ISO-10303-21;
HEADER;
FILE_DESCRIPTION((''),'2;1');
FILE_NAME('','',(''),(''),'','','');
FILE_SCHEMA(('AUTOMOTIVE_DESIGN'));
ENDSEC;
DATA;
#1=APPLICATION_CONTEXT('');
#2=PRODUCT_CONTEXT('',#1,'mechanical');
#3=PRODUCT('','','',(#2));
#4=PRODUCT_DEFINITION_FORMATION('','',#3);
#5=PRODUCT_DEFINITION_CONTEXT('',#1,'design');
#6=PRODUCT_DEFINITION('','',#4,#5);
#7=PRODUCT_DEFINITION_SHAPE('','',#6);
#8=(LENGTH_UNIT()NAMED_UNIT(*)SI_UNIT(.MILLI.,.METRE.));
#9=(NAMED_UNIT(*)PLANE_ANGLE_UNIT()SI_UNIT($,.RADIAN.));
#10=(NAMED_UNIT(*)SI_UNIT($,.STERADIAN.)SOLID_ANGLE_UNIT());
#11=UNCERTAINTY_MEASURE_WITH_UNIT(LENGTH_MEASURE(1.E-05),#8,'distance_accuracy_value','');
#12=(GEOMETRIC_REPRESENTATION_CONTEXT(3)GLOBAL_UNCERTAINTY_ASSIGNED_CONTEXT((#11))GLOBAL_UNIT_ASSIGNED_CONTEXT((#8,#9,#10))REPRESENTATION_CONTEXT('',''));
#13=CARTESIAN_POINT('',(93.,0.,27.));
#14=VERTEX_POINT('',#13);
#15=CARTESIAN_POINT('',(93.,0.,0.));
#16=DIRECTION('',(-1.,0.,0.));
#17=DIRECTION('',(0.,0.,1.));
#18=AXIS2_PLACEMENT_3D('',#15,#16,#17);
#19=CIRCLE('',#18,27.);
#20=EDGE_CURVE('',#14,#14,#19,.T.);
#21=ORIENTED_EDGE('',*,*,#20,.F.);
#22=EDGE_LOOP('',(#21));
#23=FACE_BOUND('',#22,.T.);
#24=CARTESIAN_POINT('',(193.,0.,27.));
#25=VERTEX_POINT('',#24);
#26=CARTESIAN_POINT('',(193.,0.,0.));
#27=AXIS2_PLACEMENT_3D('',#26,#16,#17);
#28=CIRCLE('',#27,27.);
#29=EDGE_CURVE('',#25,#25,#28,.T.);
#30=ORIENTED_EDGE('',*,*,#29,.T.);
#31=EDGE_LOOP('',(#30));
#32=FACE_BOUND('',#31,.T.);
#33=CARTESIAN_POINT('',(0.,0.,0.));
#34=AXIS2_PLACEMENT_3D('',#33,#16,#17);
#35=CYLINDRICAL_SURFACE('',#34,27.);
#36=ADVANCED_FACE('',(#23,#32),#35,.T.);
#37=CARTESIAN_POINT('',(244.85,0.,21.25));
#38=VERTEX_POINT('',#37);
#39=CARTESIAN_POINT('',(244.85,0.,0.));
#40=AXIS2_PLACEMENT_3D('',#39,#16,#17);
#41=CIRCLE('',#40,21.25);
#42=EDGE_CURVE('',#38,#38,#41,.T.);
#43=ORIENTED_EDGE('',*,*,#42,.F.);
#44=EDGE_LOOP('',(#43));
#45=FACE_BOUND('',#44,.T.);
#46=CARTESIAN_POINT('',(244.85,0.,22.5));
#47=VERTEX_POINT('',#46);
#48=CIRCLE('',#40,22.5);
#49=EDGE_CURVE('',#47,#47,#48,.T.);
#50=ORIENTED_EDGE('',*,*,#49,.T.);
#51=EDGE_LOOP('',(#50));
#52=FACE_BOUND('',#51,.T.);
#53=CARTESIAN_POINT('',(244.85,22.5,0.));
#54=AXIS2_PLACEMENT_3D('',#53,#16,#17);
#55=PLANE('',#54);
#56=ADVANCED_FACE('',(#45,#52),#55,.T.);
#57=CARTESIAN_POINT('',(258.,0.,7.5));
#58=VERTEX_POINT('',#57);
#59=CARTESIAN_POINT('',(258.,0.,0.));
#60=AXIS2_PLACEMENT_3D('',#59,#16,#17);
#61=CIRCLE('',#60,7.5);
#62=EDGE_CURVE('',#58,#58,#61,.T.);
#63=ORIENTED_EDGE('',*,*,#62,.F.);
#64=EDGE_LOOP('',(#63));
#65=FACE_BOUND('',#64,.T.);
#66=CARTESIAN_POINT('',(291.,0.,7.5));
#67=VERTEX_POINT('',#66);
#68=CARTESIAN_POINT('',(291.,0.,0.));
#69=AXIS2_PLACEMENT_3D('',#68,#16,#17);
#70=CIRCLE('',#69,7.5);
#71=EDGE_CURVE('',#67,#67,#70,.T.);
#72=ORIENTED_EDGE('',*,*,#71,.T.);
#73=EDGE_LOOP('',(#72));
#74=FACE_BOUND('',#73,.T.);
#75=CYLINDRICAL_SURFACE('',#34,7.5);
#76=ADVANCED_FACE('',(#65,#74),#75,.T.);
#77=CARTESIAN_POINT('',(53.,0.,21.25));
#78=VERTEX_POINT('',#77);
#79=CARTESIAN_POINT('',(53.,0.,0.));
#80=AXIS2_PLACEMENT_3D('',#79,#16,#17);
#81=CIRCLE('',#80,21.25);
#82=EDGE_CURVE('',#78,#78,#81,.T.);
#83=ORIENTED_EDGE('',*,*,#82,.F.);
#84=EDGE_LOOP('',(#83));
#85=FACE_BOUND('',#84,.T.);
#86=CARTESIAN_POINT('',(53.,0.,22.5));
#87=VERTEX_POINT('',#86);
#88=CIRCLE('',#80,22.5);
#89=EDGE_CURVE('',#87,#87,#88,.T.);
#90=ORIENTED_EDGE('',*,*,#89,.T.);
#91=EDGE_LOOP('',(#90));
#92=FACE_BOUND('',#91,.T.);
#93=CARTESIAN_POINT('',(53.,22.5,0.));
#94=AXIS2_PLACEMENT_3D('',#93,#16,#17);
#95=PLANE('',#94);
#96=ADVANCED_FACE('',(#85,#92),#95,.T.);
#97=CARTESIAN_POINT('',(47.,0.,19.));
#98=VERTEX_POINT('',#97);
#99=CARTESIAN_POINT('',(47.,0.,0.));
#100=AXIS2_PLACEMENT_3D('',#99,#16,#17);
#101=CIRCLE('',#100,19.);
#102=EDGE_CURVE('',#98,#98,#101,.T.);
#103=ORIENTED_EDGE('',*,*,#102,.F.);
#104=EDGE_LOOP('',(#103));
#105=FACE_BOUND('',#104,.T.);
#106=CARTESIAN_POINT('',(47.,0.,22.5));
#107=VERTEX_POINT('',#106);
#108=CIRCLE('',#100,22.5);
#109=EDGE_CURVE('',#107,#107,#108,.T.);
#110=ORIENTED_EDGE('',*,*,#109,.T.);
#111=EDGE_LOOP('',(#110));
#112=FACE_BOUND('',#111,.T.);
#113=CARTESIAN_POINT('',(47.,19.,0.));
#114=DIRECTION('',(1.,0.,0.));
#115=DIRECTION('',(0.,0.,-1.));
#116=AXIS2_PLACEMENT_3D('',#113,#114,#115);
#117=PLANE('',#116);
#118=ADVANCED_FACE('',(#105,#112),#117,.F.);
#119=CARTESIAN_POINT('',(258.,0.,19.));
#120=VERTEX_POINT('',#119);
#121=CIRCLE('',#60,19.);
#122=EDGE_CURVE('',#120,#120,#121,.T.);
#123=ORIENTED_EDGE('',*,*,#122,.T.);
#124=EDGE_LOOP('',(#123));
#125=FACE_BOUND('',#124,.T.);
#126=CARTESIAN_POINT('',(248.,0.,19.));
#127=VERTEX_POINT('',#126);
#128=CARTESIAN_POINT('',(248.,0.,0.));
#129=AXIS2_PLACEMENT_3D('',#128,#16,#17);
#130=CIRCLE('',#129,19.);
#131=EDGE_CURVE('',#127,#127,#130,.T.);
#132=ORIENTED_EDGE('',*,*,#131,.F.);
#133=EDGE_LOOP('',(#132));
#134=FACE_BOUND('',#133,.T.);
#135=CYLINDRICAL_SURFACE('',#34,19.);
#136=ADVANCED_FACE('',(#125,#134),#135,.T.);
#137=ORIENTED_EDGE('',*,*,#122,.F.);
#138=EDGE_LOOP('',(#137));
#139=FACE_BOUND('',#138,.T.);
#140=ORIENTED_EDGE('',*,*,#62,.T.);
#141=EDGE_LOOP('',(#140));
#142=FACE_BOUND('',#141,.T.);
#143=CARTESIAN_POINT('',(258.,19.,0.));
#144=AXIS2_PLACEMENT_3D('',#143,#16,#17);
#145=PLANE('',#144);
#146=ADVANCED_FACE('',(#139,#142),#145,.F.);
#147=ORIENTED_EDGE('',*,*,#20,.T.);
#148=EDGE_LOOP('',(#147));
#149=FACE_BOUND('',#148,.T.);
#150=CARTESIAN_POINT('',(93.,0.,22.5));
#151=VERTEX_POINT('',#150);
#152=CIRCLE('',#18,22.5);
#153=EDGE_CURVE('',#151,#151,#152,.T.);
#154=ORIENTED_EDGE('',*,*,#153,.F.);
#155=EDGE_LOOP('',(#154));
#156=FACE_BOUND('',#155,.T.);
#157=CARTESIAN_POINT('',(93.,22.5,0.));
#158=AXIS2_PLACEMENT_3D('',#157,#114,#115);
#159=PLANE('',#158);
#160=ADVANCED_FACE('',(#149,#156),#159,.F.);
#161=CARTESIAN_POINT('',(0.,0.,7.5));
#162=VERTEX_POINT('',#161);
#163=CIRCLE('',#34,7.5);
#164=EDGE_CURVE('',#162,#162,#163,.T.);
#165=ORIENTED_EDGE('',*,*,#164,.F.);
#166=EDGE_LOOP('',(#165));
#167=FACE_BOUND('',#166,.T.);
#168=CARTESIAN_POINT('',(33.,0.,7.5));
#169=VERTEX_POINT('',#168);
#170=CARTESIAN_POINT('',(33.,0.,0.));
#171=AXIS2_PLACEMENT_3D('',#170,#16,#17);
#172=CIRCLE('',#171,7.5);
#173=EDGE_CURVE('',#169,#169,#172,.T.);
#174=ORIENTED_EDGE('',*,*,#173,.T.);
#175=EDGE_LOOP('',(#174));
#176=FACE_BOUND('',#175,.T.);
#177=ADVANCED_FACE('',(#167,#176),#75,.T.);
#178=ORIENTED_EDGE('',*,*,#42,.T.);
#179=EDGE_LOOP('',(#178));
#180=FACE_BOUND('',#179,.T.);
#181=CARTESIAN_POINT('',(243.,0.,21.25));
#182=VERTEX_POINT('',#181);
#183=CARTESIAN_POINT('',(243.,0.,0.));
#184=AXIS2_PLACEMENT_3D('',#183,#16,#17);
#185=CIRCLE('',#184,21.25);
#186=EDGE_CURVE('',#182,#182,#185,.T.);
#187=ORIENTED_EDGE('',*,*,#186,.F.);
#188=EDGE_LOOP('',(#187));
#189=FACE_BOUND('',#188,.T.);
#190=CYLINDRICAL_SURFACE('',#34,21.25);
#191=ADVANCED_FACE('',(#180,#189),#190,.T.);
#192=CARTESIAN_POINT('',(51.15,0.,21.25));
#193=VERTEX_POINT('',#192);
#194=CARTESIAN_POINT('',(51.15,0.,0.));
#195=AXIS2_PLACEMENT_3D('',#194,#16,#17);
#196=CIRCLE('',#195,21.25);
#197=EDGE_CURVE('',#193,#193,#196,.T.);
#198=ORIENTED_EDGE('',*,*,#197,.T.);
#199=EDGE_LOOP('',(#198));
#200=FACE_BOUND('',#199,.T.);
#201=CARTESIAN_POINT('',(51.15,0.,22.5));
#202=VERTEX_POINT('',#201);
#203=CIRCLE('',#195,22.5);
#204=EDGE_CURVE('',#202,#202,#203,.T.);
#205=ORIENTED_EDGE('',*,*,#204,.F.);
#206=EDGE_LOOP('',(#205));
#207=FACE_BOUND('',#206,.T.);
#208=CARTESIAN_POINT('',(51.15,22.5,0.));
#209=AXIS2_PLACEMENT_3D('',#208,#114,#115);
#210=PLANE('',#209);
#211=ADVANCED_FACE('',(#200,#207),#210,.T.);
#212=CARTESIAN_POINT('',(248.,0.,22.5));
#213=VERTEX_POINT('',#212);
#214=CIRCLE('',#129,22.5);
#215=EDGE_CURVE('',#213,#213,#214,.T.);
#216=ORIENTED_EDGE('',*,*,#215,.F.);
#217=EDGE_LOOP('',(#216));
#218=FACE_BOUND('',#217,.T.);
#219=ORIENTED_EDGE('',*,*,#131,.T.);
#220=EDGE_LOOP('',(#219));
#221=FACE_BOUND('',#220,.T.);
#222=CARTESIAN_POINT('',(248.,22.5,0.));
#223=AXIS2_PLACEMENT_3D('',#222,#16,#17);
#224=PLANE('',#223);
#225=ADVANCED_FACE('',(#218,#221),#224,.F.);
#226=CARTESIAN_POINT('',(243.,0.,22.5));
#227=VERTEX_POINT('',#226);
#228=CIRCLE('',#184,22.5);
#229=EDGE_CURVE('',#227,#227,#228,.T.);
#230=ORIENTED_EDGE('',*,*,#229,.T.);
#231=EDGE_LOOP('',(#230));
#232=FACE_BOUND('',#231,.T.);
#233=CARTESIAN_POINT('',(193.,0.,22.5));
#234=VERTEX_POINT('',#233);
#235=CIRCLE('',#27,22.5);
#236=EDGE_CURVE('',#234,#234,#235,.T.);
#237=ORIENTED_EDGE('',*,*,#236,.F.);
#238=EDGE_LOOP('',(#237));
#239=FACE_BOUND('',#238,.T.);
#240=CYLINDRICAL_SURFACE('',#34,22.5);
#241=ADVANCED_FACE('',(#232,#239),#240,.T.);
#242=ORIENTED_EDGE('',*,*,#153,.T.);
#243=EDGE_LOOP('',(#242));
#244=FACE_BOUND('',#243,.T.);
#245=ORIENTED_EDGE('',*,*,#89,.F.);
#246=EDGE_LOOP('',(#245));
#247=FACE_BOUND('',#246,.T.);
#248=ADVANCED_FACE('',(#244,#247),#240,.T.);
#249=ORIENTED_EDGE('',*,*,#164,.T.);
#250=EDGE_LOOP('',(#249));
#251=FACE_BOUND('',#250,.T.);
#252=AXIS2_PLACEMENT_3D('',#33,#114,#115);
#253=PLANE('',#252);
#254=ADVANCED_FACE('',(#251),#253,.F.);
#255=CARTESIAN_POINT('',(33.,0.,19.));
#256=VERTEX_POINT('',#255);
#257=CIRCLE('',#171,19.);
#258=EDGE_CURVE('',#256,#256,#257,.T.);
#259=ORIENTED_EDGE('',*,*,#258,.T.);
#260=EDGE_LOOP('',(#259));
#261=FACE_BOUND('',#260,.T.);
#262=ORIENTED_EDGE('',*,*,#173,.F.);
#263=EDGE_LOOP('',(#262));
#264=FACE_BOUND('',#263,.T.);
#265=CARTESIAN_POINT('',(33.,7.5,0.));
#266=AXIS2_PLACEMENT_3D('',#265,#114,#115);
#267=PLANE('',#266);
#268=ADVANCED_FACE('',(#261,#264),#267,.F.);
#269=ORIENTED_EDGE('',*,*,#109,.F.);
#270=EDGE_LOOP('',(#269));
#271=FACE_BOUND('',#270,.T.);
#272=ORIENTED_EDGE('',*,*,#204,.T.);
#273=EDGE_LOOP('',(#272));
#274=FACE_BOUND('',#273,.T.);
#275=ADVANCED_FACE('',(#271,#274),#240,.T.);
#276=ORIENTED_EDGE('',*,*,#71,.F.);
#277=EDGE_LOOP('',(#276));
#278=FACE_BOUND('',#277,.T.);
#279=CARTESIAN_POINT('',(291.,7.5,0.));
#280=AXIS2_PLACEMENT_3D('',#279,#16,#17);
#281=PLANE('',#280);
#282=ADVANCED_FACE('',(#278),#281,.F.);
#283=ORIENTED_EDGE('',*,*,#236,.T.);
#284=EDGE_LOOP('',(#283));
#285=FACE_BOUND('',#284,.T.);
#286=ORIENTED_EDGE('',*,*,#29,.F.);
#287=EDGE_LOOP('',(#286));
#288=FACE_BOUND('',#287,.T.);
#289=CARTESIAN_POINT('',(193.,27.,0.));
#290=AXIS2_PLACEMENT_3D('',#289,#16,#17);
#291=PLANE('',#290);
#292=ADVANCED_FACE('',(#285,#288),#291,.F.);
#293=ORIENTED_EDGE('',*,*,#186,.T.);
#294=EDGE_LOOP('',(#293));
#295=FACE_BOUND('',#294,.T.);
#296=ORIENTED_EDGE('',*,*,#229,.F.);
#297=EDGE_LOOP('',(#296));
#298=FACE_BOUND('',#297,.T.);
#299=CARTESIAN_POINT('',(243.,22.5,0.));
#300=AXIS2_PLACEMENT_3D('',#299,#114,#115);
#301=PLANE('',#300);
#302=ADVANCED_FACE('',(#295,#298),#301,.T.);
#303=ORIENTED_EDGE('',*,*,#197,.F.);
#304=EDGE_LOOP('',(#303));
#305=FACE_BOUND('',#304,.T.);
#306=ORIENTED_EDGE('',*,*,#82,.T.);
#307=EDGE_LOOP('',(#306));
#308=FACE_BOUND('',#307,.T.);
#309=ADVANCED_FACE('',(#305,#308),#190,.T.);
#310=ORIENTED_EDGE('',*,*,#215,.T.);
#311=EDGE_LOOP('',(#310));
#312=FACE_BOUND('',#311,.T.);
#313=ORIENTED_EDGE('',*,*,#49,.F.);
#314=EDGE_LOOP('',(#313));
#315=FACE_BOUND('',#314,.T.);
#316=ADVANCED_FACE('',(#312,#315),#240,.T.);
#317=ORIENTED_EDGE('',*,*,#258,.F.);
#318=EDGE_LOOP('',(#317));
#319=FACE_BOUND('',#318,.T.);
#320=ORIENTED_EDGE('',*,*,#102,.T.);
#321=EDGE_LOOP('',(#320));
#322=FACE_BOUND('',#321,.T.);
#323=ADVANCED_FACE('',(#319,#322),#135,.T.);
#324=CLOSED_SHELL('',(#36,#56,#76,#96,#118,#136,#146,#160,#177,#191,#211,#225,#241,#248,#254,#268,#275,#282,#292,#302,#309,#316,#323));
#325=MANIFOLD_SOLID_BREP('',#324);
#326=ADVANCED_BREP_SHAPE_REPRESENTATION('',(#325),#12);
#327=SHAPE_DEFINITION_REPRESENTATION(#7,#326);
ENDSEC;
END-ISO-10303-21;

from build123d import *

# Parameters (mm, degrees)
SCHIZZO2_W   = 1.6
SCHIZZO2_H   = 6.8
SCHIZZO2_W_2 = 1.85
SCHIZZO2_H_2 = 1.25


with BuildPart() as part:
    # Schizzo1 → Rivoluzione1 (revolve)
    with BuildSketch(Plane.XY, mode=Mode.PRIVATE) as rivoluzione1_sk:
        Polygon((0, 0), (291, 0), (291, 7.5), (258, 7.5), (258, 19), (248, 19), (248, 22.5), (193, 22.5), (193, 27), (93, 27), (93, 22.5), (47, 22.5), (47, 19), (33, 19), (33, 7.5), (0, 7.5), align=None)
    revolve(rivoluzione1_sk.sketch.rotate(Axis((0, 0, 0), (1, 0, 0)), 90), axis=Axis((0, 0, 0), (1, 0, 0)))

    # Schizzo2 → Taglia-Rivoluzione1 (revolve, cut)
    with BuildSketch(Plane.XY, mode=Mode.PRIVATE) as taglia_rivoluzione1_sk:
        with Locations((5.2, 10.9)):
            Rectangle(SCHIZZO2_W, SCHIZZO2_H)
        with Locations((52.075, 21.875)):
            Rectangle(SCHIZZO2_W_2, SCHIZZO2_H_2)
        with Locations((243.925, 21.875)):
            Rectangle(SCHIZZO2_W_2, SCHIZZO2_H_2)
        with Locations((285.8, 10.9)):
            Rectangle(SCHIZZO2_W, SCHIZZO2_H)
    revolve(taglia_rivoluzione1_sk.sketch.rotate(Axis((0, 0, 0), (1, 0, 0)), 90), axis=Axis((0, 0, 0), (1, 0, 0)), mode=Mode.SUBTRACT)


solid = part.part
